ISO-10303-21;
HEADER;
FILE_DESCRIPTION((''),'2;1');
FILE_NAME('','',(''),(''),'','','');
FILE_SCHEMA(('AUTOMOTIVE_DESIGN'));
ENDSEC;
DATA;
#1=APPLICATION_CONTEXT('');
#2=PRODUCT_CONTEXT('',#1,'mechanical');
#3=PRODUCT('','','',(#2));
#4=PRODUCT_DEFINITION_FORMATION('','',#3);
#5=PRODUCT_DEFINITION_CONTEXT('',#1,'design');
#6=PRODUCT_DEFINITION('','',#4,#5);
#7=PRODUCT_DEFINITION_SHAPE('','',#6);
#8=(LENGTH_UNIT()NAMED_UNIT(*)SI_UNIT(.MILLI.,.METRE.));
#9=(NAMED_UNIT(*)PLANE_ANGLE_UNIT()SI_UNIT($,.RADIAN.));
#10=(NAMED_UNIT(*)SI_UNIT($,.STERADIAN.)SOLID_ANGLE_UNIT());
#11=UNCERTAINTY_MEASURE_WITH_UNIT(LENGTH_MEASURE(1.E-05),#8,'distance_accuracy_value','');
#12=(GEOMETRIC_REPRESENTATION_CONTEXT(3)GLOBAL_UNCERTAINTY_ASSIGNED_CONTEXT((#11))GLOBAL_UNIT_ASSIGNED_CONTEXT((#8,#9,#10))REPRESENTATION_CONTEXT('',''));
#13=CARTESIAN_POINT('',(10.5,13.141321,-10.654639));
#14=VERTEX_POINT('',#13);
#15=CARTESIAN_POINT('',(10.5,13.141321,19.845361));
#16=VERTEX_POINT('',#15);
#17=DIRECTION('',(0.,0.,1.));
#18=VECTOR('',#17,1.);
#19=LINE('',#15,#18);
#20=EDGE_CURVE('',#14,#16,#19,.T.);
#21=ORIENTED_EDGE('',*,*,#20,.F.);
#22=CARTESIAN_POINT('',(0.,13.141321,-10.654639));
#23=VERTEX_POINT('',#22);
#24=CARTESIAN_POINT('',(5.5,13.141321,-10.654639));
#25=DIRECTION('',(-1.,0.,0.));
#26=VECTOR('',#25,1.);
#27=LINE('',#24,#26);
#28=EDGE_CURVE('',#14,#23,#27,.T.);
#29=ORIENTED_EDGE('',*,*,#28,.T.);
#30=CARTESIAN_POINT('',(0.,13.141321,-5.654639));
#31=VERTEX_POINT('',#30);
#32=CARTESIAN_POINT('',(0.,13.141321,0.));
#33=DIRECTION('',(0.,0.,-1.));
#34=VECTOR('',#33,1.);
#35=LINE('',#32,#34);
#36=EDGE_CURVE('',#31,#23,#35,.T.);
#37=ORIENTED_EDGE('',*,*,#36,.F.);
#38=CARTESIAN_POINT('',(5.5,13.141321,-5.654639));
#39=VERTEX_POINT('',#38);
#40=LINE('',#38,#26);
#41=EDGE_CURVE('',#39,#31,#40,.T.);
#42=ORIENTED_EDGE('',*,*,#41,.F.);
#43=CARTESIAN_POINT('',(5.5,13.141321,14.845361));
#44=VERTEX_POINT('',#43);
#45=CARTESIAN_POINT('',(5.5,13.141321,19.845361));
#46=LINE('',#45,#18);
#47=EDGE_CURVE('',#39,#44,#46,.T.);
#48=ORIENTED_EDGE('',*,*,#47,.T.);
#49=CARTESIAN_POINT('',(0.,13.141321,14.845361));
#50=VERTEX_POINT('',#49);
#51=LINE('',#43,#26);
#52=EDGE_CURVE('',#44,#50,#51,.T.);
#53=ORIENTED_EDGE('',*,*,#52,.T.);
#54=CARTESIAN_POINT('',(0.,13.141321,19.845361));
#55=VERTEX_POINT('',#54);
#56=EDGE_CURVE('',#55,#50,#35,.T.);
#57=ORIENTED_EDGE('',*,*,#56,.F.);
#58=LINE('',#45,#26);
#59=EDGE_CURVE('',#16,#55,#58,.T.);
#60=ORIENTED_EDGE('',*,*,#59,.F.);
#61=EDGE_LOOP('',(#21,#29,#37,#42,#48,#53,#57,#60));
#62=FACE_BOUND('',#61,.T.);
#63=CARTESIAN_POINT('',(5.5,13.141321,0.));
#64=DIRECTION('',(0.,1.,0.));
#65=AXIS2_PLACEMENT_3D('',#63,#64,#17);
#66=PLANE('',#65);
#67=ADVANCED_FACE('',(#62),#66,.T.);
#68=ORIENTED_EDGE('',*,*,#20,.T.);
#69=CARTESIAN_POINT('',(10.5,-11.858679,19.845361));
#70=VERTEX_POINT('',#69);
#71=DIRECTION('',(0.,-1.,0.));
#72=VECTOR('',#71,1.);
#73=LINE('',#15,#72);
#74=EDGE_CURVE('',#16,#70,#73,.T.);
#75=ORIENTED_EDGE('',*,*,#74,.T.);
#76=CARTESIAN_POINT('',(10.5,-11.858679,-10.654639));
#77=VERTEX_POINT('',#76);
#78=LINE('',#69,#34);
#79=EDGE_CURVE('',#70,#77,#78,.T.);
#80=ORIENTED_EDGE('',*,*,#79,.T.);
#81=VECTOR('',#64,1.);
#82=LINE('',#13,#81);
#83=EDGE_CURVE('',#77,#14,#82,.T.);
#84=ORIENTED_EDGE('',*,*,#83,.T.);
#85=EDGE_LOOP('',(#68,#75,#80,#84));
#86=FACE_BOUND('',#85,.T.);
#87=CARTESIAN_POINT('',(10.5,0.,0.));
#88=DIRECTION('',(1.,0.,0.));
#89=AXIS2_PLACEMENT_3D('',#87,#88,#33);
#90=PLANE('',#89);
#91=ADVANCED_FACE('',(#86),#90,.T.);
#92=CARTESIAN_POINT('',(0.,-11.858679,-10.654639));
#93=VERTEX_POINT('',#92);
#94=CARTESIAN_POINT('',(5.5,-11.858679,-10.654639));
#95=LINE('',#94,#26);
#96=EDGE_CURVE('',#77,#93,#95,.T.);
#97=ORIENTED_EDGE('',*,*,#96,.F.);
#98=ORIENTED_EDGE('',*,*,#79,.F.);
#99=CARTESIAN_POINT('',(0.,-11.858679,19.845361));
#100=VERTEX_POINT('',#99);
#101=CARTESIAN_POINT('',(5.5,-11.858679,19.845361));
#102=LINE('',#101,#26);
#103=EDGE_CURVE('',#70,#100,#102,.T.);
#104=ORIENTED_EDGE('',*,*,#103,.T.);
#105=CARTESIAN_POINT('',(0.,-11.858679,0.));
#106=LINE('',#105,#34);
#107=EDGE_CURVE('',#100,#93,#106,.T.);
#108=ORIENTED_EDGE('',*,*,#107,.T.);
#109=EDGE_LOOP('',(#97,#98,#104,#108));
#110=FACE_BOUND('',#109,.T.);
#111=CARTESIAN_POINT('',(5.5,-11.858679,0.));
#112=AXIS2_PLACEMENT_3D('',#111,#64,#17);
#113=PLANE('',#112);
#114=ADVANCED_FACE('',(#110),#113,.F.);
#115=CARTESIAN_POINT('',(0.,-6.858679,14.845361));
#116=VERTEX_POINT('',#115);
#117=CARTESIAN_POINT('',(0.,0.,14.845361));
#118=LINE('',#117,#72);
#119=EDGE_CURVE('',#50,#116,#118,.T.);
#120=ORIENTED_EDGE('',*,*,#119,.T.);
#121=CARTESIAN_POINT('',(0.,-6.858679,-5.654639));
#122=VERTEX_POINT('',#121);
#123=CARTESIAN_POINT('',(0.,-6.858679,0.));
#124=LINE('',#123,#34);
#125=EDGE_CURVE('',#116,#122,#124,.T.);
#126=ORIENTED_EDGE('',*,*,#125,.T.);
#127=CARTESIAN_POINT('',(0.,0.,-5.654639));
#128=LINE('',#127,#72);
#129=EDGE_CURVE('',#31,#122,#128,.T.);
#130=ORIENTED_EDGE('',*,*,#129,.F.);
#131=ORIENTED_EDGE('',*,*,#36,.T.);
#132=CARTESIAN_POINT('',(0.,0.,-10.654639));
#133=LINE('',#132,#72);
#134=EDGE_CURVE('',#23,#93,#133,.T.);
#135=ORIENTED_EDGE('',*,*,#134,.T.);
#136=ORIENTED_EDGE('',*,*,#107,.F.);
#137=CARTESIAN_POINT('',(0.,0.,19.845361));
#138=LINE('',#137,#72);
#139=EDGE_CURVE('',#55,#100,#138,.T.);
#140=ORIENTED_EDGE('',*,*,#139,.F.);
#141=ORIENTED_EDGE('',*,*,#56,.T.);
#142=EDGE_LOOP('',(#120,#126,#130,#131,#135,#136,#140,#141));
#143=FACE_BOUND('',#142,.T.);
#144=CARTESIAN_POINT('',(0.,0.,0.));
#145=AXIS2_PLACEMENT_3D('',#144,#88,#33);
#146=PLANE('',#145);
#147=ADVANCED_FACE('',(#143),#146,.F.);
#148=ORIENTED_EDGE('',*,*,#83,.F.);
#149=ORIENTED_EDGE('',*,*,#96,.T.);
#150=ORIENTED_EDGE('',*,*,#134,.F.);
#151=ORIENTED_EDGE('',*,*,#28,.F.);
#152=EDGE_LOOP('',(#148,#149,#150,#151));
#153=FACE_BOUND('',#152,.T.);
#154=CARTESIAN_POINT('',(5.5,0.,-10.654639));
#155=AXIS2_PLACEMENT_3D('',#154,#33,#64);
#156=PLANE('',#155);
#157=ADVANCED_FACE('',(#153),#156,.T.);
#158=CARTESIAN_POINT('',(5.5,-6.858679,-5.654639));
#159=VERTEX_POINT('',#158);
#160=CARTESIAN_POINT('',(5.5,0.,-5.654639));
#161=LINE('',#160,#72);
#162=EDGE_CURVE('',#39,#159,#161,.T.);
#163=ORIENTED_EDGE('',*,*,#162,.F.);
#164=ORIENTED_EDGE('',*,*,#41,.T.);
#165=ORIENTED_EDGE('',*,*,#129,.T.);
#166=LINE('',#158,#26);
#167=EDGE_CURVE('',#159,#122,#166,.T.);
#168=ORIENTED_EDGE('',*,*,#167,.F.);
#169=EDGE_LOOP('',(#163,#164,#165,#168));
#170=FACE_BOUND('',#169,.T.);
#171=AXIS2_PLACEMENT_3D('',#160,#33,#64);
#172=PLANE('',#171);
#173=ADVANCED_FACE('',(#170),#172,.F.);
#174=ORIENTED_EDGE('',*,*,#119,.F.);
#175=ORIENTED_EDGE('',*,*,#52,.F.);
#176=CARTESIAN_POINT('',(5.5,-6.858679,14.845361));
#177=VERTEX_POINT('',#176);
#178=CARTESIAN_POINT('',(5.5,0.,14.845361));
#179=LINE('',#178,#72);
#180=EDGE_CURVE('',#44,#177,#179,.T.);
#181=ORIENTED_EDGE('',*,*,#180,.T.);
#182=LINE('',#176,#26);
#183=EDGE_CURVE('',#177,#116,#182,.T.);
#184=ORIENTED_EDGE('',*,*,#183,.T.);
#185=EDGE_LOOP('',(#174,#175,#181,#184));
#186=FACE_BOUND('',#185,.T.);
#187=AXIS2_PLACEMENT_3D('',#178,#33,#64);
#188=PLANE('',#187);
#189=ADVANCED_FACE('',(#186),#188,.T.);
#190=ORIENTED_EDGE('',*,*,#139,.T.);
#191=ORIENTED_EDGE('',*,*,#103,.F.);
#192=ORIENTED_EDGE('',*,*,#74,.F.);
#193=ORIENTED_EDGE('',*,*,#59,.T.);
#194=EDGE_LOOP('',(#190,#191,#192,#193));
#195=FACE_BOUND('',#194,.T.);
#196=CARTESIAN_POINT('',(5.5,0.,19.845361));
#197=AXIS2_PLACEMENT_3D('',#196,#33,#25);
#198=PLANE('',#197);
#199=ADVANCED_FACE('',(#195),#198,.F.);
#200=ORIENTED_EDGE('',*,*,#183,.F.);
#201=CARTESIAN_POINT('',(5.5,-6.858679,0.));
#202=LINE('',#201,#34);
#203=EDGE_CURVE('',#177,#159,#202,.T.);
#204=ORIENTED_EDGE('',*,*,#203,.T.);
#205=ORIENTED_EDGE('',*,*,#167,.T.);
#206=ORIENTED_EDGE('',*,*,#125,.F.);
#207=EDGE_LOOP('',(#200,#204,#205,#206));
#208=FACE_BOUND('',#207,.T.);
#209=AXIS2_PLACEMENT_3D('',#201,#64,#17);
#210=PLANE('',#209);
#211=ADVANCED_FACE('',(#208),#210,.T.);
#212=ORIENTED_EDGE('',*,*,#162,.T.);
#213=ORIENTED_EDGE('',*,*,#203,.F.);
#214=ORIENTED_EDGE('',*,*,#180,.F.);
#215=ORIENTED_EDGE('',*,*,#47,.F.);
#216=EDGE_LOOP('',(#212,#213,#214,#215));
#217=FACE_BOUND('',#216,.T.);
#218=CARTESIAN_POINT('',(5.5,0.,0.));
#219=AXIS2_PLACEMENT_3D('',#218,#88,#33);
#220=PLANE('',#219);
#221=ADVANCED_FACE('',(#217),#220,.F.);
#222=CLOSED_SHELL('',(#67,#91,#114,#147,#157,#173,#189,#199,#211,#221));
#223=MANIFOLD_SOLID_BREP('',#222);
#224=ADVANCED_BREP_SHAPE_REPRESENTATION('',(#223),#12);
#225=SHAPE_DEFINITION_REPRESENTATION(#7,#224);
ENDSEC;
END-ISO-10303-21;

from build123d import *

# Parameters (mm, degrees)
BOSS_EXTRUDE1_DEPTH = 5.5
SKETCH2_W           = 30.5
SKETCH2_H           = 25
BOSS_EXTRUDE2_DEPTH = 5


with BuildPart() as part:
    # Sketch1 → Boss-Extrude1 (new body)
    with BuildSketch(Plane(origin=(0, 0, 0), x_dir=(0, 0, -1), z_dir=(1, 0, 0))):
        Polygon((-14.845360825, -6.858679442), (-14.845360825, 13.141320558), (-19.845360825, 13.141320558), (-19.845360825, -11.858679442), (10.654639175, -11.858679442), (10.654639175, 13.141320558), (5.654639175, 13.141320558), (5.654639175, -6.858679442), align=None)
    extrude(amount=BOSS_EXTRUDE1_DEPTH)

    # Sketch2 → Boss-Extrude2 (add)
    with BuildSketch(Plane(origin=(5.5, 0, 0), x_dir=(0, 0, -1), z_dir=(1, 0, 0))):
        with Locations((-4.595360825, 0.641320558)):
            Rectangle(SKETCH2_W, SKETCH2_H)
    extrude(amount=BOSS_EXTRUDE2_DEPTH)


solid = part.part
